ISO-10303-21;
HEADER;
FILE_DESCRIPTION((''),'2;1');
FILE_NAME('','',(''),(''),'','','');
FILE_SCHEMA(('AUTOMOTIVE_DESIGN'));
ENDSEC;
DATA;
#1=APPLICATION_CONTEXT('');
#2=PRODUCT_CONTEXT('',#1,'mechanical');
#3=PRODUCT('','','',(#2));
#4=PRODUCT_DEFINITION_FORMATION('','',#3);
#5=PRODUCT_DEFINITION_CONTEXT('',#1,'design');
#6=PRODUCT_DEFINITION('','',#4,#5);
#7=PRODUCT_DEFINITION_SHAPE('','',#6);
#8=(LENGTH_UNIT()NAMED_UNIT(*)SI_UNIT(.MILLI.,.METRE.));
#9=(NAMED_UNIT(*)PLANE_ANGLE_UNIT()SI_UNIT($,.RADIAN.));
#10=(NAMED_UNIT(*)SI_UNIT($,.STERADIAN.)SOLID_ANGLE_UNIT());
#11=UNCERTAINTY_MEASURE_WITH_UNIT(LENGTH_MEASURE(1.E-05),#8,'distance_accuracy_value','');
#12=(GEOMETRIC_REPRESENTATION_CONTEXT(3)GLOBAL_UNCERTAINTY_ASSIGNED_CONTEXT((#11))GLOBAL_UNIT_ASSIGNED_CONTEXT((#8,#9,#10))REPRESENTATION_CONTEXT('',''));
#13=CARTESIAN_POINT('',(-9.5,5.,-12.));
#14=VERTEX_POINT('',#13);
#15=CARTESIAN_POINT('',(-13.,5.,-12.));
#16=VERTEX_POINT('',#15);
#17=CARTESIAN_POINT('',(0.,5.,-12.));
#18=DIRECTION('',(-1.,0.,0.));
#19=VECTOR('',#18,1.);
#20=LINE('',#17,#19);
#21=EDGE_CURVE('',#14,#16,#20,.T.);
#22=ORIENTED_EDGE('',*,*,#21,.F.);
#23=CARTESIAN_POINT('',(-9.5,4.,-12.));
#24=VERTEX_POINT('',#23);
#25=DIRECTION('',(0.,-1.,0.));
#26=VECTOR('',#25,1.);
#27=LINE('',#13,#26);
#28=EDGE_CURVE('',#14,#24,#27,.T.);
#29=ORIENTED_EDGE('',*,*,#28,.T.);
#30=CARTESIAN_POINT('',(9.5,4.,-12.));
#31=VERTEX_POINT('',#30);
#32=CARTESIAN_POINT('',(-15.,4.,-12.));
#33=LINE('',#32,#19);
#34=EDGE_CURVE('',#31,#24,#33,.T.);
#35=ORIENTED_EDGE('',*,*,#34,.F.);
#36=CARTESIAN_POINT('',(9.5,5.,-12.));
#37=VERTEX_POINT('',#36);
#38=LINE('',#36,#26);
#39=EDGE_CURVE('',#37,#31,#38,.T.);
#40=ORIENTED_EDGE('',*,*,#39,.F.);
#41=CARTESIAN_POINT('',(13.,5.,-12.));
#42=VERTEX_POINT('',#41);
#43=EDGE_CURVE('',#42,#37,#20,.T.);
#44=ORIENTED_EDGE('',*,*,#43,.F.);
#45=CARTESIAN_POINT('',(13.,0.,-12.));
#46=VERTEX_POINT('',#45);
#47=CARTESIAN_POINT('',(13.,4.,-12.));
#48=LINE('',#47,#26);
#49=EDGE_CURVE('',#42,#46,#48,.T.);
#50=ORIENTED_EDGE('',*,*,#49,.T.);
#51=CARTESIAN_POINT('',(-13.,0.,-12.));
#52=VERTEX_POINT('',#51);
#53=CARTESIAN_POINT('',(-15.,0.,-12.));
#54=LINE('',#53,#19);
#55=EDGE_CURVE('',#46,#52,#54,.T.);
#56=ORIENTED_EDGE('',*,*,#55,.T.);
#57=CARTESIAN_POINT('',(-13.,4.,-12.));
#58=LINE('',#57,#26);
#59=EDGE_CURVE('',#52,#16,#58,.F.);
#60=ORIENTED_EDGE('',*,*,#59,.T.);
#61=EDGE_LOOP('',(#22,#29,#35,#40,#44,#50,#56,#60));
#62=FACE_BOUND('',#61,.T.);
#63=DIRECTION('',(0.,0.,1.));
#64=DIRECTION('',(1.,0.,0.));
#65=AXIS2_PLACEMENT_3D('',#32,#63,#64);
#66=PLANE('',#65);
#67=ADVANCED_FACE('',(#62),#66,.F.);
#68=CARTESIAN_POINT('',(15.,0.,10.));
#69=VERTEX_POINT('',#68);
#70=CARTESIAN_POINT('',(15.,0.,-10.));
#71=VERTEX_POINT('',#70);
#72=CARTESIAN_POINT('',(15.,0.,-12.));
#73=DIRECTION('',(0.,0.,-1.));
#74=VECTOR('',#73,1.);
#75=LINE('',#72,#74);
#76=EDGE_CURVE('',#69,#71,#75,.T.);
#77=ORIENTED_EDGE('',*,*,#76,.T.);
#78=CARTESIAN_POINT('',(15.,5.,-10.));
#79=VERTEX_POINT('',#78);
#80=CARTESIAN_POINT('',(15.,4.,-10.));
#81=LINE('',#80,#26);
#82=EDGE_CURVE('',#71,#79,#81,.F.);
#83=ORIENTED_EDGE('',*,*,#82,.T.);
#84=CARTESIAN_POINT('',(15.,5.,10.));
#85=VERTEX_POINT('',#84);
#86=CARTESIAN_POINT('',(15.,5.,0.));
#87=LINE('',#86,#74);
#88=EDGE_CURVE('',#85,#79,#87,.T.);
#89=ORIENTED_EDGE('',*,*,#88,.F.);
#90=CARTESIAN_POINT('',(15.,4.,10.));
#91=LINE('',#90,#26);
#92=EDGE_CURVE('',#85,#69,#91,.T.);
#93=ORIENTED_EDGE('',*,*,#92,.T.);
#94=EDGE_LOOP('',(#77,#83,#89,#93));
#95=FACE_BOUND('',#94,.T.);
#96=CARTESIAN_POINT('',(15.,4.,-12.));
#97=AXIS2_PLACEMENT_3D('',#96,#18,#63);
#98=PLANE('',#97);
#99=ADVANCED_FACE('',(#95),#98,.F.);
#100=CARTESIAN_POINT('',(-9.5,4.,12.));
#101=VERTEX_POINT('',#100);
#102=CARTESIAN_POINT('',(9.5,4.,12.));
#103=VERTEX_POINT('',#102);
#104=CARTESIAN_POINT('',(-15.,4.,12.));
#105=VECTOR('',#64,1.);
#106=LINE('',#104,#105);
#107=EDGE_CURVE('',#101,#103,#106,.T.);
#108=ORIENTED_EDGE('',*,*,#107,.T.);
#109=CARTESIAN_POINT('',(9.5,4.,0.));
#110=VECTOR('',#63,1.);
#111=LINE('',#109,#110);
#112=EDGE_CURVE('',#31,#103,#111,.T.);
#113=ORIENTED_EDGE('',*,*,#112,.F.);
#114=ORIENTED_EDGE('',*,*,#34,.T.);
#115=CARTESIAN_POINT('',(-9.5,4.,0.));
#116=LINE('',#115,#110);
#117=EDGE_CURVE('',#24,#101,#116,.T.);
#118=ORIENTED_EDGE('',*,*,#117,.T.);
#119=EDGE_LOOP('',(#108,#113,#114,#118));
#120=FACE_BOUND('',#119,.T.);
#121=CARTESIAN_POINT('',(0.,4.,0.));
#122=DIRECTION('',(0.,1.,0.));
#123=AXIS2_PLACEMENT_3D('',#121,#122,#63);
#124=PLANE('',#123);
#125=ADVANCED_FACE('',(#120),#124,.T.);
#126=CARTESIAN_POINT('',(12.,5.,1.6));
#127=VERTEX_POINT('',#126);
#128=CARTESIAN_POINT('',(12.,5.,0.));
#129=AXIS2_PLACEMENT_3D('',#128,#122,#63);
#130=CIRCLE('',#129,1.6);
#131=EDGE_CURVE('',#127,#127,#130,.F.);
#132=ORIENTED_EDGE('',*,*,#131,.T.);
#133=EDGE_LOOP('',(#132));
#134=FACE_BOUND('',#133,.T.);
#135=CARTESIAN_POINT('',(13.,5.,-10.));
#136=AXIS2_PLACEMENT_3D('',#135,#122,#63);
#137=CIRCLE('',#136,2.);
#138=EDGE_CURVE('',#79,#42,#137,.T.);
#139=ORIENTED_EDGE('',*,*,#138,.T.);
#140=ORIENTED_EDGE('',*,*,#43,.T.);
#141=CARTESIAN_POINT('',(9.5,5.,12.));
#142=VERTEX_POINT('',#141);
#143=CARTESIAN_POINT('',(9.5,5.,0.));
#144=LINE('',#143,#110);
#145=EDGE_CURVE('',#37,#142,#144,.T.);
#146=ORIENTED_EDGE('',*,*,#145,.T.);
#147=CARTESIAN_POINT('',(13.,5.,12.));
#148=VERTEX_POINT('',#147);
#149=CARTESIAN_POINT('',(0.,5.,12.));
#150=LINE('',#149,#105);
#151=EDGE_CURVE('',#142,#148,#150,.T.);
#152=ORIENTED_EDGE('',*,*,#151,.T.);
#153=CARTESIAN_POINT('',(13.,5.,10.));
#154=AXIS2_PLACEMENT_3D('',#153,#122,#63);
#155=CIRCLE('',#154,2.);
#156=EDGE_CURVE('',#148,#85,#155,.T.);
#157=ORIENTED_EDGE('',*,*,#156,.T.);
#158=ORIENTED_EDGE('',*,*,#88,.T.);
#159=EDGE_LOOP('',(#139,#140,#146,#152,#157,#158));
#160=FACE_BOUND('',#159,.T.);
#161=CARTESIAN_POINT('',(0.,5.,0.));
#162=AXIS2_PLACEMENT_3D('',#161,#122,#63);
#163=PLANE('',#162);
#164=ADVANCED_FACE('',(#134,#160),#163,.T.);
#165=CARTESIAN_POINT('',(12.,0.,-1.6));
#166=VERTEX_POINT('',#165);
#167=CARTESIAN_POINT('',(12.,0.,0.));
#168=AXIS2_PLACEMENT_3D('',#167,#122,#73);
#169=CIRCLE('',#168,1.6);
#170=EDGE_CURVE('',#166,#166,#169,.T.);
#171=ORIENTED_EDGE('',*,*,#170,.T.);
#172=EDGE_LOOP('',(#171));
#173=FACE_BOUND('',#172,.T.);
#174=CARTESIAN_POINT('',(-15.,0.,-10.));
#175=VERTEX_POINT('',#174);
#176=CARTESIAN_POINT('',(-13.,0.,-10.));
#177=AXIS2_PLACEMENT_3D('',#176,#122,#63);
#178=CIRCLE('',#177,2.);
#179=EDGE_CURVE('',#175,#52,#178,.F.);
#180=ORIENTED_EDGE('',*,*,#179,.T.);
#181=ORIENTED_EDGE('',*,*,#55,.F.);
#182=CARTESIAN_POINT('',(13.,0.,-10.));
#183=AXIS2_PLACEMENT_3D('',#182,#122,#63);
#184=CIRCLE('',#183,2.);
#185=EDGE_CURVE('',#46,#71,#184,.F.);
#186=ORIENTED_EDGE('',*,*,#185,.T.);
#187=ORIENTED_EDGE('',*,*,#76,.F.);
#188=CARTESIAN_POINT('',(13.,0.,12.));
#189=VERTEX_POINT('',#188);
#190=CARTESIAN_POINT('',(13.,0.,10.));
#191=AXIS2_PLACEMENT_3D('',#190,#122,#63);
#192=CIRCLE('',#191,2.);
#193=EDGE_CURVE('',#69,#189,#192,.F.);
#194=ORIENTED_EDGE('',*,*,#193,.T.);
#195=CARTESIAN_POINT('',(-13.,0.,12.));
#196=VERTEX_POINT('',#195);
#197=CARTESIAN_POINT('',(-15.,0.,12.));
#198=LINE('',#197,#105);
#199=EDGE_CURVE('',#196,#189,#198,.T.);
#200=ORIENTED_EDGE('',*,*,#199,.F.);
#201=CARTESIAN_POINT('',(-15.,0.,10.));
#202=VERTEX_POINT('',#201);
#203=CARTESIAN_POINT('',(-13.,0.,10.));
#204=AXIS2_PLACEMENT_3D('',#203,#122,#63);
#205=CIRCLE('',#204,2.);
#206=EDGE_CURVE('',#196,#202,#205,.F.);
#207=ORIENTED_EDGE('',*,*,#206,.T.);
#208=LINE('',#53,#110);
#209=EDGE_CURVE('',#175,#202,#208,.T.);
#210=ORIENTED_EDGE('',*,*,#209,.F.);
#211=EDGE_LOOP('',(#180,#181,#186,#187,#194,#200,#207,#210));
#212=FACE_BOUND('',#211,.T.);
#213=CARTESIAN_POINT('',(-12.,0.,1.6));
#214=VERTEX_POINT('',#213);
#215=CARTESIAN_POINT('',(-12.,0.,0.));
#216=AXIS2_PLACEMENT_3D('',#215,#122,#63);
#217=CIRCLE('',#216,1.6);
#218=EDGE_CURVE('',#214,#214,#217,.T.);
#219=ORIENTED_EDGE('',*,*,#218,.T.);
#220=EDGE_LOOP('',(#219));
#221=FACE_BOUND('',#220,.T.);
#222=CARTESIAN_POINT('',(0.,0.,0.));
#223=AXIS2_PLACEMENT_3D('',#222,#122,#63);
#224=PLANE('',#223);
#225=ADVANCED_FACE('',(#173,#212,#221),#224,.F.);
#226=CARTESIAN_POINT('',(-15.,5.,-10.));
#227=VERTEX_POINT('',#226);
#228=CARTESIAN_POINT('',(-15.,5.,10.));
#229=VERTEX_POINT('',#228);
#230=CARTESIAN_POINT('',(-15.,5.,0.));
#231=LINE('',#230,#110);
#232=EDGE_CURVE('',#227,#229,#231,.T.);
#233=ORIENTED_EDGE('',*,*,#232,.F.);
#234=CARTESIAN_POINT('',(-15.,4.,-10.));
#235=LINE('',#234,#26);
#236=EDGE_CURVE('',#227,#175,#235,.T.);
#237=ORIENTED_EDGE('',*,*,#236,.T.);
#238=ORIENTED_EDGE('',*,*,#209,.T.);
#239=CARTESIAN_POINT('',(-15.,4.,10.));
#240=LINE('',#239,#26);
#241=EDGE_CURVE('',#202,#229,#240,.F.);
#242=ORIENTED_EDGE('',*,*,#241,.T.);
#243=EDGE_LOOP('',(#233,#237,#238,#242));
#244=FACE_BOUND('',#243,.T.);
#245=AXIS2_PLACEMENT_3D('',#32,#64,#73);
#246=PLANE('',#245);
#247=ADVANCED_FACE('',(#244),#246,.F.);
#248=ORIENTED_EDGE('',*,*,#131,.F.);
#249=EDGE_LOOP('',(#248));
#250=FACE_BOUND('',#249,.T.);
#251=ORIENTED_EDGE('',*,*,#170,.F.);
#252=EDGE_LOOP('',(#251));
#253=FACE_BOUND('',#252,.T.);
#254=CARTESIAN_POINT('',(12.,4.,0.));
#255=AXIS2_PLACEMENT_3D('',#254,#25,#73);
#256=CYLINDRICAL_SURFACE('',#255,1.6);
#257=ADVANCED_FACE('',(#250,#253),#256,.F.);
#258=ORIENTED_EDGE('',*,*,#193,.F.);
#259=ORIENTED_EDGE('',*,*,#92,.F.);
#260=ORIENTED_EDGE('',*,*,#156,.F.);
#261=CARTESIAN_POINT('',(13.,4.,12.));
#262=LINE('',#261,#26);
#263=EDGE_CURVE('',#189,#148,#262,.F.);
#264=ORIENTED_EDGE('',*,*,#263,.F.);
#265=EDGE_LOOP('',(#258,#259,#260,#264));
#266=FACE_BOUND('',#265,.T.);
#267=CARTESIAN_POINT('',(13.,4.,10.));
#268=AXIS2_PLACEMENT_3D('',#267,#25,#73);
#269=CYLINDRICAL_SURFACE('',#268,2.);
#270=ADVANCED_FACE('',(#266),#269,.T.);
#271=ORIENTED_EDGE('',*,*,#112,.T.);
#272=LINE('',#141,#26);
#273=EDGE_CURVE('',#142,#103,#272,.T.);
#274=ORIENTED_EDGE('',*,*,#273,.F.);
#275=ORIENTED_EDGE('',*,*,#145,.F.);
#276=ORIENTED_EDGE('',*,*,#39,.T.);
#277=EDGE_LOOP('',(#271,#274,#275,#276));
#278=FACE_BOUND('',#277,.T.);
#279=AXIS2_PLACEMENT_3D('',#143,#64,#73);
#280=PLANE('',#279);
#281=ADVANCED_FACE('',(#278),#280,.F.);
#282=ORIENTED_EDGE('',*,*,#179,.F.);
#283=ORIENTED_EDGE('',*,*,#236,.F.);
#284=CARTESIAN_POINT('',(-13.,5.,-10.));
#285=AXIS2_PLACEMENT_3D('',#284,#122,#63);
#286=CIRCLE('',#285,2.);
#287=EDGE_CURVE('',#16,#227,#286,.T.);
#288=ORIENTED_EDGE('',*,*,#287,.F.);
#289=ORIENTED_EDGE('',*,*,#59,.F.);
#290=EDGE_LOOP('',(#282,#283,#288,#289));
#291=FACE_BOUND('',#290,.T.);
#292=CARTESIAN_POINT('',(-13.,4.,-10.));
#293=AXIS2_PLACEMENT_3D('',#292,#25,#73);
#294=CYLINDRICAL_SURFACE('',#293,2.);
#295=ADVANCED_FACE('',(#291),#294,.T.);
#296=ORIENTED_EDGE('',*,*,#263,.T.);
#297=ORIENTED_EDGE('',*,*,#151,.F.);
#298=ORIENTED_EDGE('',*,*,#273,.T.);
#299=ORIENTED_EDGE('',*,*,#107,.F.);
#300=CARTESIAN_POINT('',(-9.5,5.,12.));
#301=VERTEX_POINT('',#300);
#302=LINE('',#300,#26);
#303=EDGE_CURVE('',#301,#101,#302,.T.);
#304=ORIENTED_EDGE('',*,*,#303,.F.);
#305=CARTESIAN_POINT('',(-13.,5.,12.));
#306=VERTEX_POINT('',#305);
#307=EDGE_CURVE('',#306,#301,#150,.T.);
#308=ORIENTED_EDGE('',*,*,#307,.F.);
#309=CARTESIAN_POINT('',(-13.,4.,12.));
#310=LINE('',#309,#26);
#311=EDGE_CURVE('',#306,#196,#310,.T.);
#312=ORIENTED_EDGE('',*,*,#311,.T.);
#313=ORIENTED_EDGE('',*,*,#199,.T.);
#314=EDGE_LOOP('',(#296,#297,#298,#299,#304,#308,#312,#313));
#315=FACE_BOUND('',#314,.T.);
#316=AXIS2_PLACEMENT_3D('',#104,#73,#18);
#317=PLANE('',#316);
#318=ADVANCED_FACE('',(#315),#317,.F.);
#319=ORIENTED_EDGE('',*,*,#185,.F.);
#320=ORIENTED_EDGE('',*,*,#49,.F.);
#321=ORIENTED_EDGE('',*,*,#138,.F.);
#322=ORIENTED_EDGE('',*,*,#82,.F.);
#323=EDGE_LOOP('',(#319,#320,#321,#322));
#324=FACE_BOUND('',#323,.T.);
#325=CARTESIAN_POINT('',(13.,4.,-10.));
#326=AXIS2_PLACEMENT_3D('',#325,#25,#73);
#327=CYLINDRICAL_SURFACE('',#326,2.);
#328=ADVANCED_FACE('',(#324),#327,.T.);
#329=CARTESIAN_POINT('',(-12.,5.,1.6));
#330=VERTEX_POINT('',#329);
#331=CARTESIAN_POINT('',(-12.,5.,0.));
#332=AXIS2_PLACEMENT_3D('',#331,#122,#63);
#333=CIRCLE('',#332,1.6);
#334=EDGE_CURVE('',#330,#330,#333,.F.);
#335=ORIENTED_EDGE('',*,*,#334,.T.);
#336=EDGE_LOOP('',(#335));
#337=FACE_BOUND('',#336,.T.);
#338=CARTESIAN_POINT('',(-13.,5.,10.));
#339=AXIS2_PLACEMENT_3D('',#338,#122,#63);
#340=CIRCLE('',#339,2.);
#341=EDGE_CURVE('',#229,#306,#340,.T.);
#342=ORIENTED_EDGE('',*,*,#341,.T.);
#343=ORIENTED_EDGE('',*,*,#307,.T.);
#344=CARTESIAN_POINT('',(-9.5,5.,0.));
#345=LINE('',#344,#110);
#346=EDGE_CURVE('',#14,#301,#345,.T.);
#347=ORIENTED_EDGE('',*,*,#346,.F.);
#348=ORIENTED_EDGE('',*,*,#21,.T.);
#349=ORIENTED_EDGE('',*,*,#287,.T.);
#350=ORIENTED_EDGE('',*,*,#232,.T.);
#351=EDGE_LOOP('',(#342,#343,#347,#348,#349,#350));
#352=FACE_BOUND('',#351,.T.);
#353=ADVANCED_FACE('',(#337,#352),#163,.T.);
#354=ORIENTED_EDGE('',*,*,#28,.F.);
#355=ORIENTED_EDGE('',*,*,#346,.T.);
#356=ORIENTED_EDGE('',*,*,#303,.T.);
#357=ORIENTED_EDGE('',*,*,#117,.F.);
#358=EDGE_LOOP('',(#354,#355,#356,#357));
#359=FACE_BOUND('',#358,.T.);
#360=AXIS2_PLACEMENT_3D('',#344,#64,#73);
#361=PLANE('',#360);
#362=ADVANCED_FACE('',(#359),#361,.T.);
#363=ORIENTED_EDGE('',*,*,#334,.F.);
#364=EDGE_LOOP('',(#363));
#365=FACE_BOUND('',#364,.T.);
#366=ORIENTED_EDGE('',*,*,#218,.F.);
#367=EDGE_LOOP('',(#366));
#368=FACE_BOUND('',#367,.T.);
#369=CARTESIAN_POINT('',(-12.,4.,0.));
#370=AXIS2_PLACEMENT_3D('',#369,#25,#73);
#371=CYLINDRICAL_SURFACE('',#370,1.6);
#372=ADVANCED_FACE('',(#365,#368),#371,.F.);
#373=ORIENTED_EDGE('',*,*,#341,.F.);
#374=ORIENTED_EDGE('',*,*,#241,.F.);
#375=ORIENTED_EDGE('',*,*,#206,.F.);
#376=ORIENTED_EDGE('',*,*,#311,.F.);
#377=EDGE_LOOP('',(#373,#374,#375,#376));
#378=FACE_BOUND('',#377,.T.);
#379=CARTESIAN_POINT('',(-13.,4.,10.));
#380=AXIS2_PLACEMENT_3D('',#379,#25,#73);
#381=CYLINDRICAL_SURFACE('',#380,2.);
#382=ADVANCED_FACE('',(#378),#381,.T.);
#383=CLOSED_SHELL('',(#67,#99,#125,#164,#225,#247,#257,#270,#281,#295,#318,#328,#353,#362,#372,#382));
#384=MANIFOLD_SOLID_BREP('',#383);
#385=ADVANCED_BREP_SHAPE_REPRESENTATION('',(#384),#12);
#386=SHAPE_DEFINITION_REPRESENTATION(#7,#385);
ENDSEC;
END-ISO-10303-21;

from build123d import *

# Parameters (mm, degrees)
SKETCH_1_W      = 30
SKETCH_1_H      = 24
SKETCH_1_R      = 1.6
EXTRUDE_1_DEPTH = 4
SKETCH_2_W      = 5.5
SKETCH_2_H      = 24
SKETCH_2_R      = 1.6
EXTRUDE_2_DEPTH = 1
FILLET_1_R      = 2


with BuildPart() as part:
    # 草图1 → 凸台-拉伸1 (new body)
    with BuildSketch(Plane(origin=(0, 0, 0), x_dir=(1, 0, 0), z_dir=(0, 1, 0))):
        Rectangle(SKETCH_1_W, SKETCH_1_H)
        with Locations((-12, 0)):
            Circle(SKETCH_1_R, mode=Mode.SUBTRACT)
        with Locations((12, 0)):
            Circle(SKETCH_1_R, mode=Mode.SUBTRACT)
    extrude(amount=EXTRUDE_1_DEPTH)

    # 草图2 → 凸台-拉伸2 (add)
    with BuildSketch(Plane(origin=(0, 4, 0), x_dir=(1, 0, 0), z_dir=(0, 1, 0))):
        with Locations((-12.25, 0)):
            Rectangle(SKETCH_2_W, SKETCH_2_H)
        with Locations((-12, 0)):
            Circle(SKETCH_2_R, mode=Mode.SUBTRACT)
        with Locations((12.25, 0)):
            Rectangle(SKETCH_2_W, SKETCH_2_H)
        with Locations((12, 0)):
            Circle(SKETCH_2_R, mode=Mode.SUBTRACT)
    extrude(amount=EXTRUDE_2_DEPTH)

    # 圆角1
    fillet_1_edges = [part.edges().sort_by_distance(p)[0] for p in [
        (15, 2.5, 12),
        (-15, 2.5, 12),
        (-15, 2.5, -12),
        (15, 2.5, -12),
    ]]
    fillet(fillet_1_edges, radius=FILLET_1_R)


solid = part.part
